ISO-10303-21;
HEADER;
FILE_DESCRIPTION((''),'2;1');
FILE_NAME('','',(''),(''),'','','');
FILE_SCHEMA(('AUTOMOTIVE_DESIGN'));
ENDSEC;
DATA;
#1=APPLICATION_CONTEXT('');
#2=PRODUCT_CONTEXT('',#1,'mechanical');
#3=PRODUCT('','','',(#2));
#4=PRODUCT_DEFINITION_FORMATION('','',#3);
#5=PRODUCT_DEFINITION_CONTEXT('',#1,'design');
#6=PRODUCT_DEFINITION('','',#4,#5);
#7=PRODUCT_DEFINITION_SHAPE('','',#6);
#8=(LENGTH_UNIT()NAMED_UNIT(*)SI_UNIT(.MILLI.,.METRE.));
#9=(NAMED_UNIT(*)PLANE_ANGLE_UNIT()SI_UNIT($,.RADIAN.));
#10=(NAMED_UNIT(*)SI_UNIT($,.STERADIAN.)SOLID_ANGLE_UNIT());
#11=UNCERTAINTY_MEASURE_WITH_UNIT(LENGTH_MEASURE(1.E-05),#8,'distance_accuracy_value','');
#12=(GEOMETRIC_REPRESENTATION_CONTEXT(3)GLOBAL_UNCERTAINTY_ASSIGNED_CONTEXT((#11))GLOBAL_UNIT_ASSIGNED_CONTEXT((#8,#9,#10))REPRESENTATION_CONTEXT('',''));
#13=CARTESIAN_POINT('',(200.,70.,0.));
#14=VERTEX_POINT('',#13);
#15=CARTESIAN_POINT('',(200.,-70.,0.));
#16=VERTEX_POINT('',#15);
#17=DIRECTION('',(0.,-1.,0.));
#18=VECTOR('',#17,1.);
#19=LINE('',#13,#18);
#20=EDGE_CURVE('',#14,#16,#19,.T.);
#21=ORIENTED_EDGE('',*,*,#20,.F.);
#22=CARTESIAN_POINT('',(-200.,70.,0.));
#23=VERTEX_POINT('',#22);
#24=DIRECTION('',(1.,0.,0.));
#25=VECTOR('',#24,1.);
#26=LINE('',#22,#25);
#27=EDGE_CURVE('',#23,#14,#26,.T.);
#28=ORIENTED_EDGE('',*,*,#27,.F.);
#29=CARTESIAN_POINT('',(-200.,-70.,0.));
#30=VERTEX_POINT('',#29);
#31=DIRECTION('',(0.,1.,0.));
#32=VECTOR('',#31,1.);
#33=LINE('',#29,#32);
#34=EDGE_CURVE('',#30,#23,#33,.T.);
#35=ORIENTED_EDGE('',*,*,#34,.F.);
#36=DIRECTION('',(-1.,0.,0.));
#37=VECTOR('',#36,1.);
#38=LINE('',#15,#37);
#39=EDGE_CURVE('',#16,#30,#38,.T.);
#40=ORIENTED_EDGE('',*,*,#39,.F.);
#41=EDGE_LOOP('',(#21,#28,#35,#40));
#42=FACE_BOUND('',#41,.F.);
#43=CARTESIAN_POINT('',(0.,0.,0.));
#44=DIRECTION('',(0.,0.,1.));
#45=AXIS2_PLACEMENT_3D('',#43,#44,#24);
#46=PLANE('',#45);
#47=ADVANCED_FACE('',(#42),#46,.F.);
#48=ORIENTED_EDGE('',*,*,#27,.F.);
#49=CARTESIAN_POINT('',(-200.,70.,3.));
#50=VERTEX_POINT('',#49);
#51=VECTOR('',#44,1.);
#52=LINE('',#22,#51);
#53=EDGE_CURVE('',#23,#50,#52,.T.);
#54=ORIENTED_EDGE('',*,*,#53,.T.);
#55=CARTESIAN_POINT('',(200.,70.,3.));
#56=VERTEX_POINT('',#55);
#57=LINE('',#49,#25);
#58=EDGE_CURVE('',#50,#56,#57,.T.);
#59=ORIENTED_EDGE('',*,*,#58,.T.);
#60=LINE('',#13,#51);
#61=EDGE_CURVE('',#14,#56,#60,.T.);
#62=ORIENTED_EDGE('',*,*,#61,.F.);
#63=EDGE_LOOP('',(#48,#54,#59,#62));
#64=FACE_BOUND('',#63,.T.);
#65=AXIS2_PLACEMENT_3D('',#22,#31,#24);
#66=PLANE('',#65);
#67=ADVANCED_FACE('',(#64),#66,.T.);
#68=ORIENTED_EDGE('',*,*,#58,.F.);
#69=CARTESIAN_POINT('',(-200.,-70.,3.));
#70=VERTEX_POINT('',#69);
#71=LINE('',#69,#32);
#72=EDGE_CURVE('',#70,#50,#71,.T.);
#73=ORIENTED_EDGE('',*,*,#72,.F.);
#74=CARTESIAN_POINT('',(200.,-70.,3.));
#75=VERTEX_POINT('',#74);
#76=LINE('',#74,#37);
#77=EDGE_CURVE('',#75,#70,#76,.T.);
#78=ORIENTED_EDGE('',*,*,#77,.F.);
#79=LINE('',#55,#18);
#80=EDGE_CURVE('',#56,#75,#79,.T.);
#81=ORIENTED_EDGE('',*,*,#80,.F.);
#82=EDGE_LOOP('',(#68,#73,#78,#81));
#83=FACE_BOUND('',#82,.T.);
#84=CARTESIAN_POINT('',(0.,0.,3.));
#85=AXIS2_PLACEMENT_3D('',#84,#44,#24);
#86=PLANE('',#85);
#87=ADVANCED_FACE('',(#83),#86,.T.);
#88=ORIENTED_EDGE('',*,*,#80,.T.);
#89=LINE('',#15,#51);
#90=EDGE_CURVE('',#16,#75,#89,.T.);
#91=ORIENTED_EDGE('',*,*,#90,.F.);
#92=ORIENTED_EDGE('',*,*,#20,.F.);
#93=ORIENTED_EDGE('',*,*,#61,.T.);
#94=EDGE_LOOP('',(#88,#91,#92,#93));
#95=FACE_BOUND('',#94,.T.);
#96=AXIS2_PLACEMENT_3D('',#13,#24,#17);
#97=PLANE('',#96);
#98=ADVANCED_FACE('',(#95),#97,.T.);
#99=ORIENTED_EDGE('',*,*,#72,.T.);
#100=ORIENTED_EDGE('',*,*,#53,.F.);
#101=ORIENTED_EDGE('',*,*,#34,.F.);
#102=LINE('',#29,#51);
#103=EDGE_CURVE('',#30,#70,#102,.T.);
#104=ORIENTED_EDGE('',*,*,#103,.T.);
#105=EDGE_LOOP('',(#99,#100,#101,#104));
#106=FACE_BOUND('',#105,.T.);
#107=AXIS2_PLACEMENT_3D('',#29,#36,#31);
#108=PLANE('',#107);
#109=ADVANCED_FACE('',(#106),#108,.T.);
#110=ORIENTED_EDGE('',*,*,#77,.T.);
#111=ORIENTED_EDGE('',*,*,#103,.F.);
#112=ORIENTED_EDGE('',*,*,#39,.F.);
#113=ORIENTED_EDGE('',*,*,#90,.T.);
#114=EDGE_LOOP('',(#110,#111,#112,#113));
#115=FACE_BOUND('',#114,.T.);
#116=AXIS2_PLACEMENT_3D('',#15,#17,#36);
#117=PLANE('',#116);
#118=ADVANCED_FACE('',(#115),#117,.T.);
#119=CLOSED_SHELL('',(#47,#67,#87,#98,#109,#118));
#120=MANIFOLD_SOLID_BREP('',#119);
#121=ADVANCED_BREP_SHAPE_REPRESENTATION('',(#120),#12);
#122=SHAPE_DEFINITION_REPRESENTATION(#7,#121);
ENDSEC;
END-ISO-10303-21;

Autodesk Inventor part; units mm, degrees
ref_plane "YZ Plane" through (0, 0, 0) normal (1, 0, 0) x (0, 1, 0)
ref_plane "XZ Plane" through (0, 0, 0) normal (0, 1, 0) x (-1, 0, 0)
ref_plane "XY Plane" through (0, 0, 0) normal (0, 0, 1) x (1, 0, 0)
sketch "草图1" plane through (0, 0, 0) normal (0, 0, 1) x (1, 0, 0)
  line L0 (200, -70) -> (-200, -70)
  line L1 (-200, -70) -> (-200, 70)
  line L2 (-200, 70) -> (200, 70)
  line L3 (200, 70) -> (200, -70)
  line L4 (200, -70) -> (-200, 70) construction
  line L5 (-200, -70) -> (200, 70) construction
  point P0 (0, 0)
  dimension "d0" = 140
  dimension "d4" = 400
extrude "拉伸1" add sketch "草图1" along normal blind 3
properties part number "板材中"
